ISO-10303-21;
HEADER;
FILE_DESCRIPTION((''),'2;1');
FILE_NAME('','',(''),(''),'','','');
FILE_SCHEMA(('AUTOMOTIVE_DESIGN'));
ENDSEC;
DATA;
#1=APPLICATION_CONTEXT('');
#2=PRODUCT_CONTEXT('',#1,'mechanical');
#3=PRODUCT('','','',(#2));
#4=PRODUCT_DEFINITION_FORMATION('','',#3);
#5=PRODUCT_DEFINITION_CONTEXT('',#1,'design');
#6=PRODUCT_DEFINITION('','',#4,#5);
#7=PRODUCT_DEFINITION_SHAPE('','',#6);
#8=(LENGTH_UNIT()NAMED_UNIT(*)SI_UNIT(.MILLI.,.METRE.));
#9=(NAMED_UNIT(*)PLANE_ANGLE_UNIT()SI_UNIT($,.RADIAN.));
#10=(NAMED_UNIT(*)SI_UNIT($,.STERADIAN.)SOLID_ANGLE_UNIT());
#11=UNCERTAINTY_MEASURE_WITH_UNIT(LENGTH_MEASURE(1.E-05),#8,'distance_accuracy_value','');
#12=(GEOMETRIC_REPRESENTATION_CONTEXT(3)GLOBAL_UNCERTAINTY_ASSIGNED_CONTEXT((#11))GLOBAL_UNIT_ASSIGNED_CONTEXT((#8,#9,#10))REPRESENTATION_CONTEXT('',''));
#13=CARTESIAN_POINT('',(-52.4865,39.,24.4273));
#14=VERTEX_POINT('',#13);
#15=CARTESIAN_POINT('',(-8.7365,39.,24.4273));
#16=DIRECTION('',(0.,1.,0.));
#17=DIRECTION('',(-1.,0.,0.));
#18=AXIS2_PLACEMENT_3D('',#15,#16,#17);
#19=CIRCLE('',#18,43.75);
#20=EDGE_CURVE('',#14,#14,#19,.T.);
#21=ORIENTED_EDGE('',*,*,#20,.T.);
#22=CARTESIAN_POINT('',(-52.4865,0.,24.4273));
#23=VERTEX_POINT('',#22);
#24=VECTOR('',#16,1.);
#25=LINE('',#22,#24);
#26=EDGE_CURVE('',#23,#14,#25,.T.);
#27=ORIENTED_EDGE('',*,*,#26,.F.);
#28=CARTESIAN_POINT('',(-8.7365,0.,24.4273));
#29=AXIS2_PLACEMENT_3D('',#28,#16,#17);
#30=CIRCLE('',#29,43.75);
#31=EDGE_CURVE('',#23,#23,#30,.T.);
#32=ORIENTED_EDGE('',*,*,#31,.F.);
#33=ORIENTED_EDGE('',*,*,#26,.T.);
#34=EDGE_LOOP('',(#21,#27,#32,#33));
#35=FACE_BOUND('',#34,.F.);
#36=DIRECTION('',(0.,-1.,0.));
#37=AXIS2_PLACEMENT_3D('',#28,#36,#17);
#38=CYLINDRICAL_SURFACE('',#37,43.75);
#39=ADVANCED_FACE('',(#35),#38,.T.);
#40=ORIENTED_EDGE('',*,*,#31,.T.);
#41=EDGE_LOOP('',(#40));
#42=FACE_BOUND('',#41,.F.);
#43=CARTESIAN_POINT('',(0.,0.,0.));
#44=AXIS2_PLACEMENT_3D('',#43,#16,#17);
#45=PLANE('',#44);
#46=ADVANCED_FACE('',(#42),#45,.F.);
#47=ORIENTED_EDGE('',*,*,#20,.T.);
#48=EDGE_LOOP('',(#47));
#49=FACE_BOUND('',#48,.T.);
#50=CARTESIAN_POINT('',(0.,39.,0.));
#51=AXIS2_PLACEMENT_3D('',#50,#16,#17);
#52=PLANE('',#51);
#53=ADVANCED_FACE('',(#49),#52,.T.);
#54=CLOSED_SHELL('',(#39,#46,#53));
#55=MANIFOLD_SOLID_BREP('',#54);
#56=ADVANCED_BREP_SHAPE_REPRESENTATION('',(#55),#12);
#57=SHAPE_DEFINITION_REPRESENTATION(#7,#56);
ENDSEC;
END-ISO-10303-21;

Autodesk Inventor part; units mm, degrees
ref_plane "YZ Plane" through (0, 0, 0) normal (1, 0, 0) x (0, 1, 0)
ref_plane "XZ Plane" through (0, 0, 0) normal (0, 1, 0) x (-1, 0, 0)
ref_plane "XY Plane" through (0, 0, 0) normal (0, 0, 1) x (1, 0, 0)
sketch "Sketch1" plane through (0, 0, 0) normal (0, 1, 0) x (-1, 0, 0)
  point P0 (0, 0)
sketch "Sketch2" plane through (0, 0, 0) normal (0, 1, 0) x (-1, 0, 0)
  circle A0 centre (8.7365, 24.4273) radius 43.75
  point P0 (0, 0)
  dimension "d0" = 87.5
extrude "Extrusion1" add sketch "Sketch2" along normal blind 39
properties part number "Enclosure"
